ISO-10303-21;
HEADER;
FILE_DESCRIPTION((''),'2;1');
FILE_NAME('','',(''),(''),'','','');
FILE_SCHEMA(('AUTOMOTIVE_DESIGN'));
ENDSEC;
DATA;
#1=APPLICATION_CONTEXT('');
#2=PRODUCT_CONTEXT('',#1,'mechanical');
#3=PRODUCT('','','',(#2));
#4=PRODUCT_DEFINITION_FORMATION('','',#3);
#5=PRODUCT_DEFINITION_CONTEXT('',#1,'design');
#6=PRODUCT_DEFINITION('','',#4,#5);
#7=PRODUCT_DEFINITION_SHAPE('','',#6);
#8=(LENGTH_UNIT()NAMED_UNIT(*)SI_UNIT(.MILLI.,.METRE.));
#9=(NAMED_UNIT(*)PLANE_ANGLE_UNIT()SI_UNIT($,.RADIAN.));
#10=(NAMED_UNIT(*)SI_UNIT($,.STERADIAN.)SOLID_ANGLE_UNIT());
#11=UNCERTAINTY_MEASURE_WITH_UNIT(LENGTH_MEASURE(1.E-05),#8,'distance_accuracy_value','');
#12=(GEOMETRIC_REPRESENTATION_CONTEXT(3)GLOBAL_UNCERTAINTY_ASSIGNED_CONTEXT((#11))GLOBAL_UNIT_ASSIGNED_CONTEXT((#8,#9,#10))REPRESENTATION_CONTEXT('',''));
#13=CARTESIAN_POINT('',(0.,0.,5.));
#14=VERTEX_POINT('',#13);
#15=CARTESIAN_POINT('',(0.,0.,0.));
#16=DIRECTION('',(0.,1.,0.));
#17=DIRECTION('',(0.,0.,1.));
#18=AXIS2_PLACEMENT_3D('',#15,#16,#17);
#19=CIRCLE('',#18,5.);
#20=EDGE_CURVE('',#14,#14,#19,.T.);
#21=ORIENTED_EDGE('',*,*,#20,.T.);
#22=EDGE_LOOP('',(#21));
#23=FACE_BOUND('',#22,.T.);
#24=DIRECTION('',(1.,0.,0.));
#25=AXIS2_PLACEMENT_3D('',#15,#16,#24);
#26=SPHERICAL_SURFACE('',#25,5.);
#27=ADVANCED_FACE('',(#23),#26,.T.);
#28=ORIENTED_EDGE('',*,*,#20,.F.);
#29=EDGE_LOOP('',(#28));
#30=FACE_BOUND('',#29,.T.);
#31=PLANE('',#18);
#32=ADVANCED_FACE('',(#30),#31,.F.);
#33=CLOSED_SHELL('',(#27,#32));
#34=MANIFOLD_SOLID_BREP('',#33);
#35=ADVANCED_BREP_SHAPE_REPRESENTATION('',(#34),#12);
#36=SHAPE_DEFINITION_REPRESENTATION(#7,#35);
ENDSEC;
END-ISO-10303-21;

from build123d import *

# Parameters (mm, degrees)
SKETCH9_R          = 5
CUT_EXTRUDE1_DEPTH = 5


with BuildPart() as part:
    # Sketch8 → Revolve5 (revolve)
    with BuildSketch(Plane.XY):
        with BuildLine():
            Line((0, 5), (0, -5))
            ThreePointArc((0, -5), (5, 0), (0, 5))
        make_face()
    revolve(axis=Axis((0, -5, 0), (0, 1, 0)))

    # Sketch9 → Cut-Extrude1 (cut)
    with BuildSketch(Plane(origin=(0, 0, 0), x_dir=(1, 0, 0), z_dir=(0, 1, 0))):
        Circle(SKETCH9_R)
    extrude(amount=-CUT_EXTRUDE1_DEPTH, mode=Mode.SUBTRACT)


solid = part.part
